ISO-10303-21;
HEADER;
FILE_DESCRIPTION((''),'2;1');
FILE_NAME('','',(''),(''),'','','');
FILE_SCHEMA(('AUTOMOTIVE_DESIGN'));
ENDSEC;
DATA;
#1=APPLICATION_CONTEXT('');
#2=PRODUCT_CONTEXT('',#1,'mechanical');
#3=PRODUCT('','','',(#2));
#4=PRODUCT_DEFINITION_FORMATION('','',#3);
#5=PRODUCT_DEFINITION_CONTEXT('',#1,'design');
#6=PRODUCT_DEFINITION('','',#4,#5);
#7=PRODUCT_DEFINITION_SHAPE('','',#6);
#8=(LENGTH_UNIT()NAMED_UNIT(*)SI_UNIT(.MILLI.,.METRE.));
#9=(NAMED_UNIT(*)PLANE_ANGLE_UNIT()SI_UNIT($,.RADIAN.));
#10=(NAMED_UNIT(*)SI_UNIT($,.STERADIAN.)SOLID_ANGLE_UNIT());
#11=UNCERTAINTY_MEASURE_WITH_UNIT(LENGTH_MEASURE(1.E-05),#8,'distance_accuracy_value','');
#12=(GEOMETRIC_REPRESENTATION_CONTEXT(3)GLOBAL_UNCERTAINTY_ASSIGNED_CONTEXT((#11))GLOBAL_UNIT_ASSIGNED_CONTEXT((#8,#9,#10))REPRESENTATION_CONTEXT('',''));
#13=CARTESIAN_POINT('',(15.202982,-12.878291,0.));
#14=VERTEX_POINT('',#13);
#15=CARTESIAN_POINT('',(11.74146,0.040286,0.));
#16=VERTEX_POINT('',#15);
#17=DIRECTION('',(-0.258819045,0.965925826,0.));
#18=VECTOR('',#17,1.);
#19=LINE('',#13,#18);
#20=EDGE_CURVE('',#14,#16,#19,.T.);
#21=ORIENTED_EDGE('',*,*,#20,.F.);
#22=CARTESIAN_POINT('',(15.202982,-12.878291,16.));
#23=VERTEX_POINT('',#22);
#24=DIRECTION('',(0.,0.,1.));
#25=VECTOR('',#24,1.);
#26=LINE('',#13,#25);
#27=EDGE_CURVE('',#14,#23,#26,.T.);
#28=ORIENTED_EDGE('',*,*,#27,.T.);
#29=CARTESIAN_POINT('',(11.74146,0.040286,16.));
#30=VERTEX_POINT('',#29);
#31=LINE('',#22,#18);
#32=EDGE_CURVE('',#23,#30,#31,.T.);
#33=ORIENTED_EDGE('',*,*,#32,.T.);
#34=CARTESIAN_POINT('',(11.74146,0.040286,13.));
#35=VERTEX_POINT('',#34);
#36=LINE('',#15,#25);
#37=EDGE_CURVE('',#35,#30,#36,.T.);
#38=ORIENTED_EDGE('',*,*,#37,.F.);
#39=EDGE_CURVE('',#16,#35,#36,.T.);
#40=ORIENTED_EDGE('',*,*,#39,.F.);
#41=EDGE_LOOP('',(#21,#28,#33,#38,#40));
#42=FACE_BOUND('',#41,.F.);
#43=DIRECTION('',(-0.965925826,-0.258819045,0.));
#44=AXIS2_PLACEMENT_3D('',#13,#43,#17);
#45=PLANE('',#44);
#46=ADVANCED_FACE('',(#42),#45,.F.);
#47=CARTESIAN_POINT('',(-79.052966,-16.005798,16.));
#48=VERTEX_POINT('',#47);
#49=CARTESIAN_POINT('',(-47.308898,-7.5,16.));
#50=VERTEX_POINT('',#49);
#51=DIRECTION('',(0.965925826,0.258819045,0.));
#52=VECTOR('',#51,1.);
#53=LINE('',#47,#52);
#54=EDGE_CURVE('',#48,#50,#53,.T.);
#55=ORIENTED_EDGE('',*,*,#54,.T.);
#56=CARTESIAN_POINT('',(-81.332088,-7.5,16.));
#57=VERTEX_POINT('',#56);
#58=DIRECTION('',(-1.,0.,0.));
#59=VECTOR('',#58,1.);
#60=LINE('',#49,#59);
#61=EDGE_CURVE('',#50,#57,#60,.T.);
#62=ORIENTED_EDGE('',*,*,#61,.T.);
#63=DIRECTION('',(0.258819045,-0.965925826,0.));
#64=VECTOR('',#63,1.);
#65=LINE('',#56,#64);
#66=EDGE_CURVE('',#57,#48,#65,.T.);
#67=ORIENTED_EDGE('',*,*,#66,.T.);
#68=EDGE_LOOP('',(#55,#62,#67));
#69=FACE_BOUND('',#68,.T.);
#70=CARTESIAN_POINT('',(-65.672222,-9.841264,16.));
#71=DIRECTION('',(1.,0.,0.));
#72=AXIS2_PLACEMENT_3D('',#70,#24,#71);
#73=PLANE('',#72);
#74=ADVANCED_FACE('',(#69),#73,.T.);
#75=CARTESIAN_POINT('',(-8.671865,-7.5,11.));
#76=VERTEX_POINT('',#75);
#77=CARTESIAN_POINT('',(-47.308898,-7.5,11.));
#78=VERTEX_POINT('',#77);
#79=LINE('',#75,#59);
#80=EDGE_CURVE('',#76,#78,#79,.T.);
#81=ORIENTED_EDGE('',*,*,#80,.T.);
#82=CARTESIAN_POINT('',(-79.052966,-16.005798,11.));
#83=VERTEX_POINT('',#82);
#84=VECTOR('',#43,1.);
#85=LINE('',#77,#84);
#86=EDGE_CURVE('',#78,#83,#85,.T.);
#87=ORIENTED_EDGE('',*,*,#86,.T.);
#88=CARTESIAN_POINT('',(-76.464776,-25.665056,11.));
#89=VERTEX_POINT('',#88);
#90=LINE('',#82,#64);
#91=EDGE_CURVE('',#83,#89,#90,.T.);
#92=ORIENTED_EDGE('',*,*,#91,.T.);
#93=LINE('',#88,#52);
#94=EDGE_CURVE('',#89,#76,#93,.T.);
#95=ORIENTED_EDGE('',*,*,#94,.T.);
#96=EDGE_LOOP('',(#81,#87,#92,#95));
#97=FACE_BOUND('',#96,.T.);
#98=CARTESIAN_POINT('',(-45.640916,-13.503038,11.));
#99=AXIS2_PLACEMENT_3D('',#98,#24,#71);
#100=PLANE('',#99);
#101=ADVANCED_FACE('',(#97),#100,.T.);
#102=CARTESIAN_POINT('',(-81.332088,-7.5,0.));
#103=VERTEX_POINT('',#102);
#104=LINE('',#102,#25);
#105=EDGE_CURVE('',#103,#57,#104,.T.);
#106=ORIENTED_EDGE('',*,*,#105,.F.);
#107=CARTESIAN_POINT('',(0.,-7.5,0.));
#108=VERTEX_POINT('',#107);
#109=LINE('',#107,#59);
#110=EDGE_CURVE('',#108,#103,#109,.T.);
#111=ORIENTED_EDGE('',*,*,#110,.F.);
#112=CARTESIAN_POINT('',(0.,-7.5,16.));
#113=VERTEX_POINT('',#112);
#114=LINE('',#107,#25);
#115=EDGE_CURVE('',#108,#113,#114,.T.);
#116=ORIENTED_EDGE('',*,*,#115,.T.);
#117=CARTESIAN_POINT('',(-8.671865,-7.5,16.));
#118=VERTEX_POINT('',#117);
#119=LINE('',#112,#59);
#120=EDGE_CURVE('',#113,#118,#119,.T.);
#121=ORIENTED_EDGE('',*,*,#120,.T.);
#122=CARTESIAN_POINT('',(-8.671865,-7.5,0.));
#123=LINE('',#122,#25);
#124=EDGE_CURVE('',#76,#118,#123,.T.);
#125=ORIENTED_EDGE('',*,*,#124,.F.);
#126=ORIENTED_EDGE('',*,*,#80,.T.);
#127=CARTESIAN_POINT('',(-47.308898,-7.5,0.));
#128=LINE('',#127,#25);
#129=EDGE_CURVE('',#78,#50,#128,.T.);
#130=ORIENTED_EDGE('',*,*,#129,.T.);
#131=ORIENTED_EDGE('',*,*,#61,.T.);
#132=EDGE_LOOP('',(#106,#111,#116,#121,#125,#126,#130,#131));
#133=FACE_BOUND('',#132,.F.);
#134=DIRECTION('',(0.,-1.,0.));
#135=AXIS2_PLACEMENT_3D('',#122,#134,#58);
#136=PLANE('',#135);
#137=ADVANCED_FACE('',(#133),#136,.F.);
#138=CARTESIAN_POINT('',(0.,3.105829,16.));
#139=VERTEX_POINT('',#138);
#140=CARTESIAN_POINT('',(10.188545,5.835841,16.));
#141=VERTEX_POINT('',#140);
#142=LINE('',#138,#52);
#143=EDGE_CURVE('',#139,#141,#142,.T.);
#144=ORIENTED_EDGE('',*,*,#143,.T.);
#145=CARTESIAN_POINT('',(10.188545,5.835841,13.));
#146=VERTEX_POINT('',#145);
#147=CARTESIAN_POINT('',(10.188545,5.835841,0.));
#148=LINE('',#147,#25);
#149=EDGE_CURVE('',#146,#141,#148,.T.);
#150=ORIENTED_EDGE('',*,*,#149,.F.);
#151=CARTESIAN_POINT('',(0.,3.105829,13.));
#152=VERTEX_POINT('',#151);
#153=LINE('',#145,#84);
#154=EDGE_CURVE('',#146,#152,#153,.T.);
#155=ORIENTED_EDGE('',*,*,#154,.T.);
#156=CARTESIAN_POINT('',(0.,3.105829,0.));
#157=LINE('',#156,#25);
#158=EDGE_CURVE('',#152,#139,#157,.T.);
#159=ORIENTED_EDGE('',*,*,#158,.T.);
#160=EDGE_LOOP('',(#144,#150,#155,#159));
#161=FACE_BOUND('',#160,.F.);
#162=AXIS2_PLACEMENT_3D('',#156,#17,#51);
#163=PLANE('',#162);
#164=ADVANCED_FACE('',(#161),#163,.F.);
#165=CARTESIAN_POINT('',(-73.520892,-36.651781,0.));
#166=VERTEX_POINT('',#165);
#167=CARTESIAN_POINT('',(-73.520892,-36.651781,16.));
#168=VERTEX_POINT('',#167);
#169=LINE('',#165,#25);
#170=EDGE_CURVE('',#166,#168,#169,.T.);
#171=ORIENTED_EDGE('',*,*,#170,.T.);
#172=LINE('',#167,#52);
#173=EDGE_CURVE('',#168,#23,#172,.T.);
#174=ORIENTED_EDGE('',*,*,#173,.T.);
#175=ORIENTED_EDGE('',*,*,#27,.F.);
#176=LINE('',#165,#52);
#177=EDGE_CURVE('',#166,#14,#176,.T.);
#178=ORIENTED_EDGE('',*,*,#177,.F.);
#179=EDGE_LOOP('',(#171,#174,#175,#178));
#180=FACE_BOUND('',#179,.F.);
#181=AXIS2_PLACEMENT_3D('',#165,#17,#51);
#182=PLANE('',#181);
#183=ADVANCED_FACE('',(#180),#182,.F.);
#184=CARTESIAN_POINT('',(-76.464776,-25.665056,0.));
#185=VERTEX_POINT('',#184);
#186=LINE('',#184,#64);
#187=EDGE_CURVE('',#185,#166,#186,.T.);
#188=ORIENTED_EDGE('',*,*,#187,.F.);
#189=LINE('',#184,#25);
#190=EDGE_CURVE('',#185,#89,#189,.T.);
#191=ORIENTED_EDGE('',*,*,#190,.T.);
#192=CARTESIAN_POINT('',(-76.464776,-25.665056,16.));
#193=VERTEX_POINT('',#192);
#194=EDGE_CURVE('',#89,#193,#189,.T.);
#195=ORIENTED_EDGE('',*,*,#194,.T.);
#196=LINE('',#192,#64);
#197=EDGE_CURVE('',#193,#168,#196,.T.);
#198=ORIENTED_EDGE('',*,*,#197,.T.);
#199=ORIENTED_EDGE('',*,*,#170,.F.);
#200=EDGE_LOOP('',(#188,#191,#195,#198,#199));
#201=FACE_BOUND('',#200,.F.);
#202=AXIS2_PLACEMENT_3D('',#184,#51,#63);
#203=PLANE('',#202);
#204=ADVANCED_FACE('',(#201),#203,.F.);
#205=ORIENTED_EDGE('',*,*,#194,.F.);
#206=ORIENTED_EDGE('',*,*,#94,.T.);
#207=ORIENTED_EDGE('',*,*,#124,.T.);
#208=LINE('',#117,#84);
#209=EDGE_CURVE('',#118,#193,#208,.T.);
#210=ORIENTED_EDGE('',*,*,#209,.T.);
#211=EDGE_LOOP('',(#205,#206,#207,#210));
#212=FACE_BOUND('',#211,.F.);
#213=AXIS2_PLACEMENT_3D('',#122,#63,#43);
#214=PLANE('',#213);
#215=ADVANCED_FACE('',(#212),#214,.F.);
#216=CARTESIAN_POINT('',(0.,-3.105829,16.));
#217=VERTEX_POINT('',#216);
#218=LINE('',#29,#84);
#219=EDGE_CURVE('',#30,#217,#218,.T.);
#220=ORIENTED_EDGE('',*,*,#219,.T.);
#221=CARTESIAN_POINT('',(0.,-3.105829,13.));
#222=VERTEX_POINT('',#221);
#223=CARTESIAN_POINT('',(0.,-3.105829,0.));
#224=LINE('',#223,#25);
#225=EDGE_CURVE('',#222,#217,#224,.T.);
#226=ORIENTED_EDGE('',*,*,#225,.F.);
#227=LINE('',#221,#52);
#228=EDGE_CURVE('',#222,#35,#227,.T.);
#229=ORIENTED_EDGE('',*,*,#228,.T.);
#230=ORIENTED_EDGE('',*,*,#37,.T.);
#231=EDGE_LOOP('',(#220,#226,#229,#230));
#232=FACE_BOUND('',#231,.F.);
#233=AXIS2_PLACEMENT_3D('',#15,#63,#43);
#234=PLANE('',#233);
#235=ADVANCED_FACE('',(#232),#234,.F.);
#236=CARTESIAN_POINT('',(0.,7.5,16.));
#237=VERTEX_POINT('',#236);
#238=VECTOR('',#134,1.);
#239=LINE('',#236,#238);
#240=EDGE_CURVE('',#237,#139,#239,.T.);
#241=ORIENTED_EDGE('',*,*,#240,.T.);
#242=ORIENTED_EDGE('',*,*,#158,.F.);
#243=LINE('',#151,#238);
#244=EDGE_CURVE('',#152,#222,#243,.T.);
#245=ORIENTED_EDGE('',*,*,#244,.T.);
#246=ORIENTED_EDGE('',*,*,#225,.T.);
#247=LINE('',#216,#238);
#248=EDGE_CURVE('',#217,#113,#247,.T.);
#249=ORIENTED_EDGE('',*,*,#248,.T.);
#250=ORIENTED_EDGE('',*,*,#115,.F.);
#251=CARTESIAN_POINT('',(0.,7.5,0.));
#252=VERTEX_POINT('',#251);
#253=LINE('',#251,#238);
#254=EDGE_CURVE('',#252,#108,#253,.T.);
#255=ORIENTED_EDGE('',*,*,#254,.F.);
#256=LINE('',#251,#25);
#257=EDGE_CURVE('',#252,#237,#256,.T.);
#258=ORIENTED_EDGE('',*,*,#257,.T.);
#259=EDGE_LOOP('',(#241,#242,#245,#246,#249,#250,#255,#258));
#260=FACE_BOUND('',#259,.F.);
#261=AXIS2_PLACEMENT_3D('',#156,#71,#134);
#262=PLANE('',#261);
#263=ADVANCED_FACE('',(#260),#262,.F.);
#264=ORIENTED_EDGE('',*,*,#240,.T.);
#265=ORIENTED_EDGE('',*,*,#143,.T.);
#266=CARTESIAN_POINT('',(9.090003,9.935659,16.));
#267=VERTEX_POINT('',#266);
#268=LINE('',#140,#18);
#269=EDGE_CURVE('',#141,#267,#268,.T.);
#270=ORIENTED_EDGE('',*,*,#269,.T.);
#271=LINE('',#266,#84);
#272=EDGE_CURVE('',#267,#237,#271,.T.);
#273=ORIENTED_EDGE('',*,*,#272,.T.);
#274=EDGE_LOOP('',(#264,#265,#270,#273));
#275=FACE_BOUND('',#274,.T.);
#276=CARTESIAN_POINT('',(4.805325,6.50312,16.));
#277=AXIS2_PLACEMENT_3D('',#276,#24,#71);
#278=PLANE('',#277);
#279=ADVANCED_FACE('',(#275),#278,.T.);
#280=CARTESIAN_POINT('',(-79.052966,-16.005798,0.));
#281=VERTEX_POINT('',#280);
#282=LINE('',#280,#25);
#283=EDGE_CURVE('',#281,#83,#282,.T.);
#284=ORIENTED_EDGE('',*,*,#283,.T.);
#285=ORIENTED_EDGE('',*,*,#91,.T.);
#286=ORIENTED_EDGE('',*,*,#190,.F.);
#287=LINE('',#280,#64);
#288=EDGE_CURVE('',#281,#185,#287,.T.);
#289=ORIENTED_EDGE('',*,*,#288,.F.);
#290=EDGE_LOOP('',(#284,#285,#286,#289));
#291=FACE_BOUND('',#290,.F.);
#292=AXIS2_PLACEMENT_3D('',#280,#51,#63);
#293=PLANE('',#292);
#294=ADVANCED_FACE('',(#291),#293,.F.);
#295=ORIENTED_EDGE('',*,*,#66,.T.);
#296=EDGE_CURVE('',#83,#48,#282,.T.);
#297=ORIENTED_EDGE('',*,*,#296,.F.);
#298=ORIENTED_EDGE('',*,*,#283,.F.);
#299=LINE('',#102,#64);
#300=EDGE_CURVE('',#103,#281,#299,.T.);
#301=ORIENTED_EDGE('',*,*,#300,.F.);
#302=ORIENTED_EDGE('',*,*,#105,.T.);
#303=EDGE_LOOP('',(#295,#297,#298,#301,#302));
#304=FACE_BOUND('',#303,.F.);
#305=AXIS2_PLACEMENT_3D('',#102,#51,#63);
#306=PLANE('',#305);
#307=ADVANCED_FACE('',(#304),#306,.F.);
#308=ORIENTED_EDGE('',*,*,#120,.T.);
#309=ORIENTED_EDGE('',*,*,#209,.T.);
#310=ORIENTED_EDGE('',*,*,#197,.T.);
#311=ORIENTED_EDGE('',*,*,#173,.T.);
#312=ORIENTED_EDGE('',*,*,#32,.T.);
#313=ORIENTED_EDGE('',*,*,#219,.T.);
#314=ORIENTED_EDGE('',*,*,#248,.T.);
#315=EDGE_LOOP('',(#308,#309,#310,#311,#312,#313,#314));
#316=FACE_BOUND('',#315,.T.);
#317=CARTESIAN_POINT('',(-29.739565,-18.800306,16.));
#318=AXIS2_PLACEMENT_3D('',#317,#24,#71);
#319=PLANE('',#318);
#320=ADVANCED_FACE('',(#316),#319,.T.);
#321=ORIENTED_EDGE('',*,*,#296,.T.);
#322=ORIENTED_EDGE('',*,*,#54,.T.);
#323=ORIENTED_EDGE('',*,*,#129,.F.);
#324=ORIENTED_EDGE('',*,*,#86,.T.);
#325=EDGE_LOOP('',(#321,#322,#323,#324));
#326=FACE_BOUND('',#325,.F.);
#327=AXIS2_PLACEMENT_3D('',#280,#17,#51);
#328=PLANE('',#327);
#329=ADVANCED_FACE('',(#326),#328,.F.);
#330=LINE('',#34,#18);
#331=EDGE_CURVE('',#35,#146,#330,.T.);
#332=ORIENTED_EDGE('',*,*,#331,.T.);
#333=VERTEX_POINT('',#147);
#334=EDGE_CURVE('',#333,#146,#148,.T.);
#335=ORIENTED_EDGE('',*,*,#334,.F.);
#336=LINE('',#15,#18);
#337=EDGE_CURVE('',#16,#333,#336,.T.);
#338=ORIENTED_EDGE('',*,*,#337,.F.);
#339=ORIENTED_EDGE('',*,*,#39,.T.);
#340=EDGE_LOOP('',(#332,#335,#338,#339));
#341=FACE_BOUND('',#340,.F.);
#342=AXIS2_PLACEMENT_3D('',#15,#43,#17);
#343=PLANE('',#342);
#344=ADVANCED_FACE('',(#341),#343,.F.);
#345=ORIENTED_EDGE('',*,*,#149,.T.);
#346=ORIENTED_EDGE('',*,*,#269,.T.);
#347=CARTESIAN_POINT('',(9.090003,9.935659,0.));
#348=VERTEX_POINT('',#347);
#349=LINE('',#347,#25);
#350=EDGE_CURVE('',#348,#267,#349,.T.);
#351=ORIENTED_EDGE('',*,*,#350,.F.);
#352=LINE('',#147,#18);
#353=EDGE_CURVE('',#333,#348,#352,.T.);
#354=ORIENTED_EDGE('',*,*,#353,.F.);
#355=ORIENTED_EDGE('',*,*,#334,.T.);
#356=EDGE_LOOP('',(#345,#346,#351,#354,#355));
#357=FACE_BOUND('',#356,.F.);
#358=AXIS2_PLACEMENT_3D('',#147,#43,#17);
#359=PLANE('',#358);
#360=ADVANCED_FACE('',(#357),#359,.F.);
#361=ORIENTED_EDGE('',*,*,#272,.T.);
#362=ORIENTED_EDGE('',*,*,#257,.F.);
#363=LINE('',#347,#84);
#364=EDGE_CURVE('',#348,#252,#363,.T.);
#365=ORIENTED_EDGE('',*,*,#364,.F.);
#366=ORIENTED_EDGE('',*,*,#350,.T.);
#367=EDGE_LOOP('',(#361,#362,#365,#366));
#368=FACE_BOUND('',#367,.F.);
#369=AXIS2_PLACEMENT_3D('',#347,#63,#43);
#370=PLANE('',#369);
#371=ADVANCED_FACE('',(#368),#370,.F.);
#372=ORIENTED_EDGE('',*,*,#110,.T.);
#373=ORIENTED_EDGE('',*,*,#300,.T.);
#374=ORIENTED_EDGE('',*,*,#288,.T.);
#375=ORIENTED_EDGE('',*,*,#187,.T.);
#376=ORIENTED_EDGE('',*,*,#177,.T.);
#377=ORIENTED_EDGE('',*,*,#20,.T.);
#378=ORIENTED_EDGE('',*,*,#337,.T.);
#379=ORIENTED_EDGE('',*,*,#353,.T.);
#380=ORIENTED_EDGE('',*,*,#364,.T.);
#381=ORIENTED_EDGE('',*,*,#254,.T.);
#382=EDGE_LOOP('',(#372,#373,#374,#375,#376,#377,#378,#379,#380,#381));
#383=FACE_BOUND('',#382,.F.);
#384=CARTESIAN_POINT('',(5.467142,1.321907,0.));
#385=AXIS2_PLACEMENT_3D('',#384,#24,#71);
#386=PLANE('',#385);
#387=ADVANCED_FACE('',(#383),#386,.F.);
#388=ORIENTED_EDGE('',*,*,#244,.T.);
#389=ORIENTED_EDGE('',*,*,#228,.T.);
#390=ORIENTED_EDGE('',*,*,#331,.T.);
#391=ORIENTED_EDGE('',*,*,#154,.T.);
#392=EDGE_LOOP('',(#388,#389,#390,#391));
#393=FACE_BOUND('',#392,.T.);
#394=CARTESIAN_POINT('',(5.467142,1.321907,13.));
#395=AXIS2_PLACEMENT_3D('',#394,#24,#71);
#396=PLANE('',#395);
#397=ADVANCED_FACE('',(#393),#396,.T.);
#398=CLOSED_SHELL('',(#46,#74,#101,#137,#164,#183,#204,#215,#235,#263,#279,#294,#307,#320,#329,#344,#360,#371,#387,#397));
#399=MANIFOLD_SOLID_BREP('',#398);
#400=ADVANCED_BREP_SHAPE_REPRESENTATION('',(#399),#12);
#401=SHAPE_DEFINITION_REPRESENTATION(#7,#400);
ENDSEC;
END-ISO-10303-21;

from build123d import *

# Parameters (mm, degrees)
F4_DEPTH = 16
F5_DEPTH = 11
F6_DEPTH = 13


with BuildPart() as f4:
    # F2 (on Top) → F4 (new body)
    with BuildSketch(Plane.XY):
        Polygon((11.7414596618, 0.0402860931), (0, -3.1058285412), (0, -7.5), (-8.671864531, -7.5), (-76.4647760054, -25.6650558821), (-73.5208917648, -36.6517814396), (15.2029819926, -12.8782911169), align=None)
    extrude(amount=F4_DEPTH)



with BuildPart() as f4b:
    # F2 (on Top) → F4, piece 2 (new body)
    with BuildSketch(Plane.XY):
        Polygon((-79.0529664564, -16.0057976192), (-47.3088975825, -7.5), (-81.3320880594, -7.5), align=None)
    extrude(amount=F4_DEPTH)


with BuildPart() as f4c:
    # F2 (on Top) → F4, piece 3 (new body)
    with BuildSketch(Plane.XY):
        Polygon((0, 7.5), (0, 3.1058285412), (10.1885453912, 5.8358410508), (9.0900025265, 9.9356588362), align=None)
    extrude(amount=F4_DEPTH)


with BuildPart() as f4_1:
    add(f4.part)

    add(f4b.part)  # F5 merges F4b
    # F2 (on Top) → F5 (join)
    with BuildSketch(Plane.XY):
        Polygon((-76.4647760054, -25.6650558821), (-8.671864531, -7.5), (-47.3088975825, -7.5), (-79.0529664564, -16.0057976192), align=None)
    extrude(amount=F5_DEPTH)


    add(f4c.part)  # F6 merges F4c
    # F2 (on Top) → F6 (join)
    with BuildSketch(Plane.XY):
        Polygon((0, 3.1058285412), (0, 0), (0, -3.1058285412), (11.7414596618, 0.0402860931), (10.1885453912, 5.8358410508), align=None)
    extrude(amount=F6_DEPTH)


solid = f4_1.part
